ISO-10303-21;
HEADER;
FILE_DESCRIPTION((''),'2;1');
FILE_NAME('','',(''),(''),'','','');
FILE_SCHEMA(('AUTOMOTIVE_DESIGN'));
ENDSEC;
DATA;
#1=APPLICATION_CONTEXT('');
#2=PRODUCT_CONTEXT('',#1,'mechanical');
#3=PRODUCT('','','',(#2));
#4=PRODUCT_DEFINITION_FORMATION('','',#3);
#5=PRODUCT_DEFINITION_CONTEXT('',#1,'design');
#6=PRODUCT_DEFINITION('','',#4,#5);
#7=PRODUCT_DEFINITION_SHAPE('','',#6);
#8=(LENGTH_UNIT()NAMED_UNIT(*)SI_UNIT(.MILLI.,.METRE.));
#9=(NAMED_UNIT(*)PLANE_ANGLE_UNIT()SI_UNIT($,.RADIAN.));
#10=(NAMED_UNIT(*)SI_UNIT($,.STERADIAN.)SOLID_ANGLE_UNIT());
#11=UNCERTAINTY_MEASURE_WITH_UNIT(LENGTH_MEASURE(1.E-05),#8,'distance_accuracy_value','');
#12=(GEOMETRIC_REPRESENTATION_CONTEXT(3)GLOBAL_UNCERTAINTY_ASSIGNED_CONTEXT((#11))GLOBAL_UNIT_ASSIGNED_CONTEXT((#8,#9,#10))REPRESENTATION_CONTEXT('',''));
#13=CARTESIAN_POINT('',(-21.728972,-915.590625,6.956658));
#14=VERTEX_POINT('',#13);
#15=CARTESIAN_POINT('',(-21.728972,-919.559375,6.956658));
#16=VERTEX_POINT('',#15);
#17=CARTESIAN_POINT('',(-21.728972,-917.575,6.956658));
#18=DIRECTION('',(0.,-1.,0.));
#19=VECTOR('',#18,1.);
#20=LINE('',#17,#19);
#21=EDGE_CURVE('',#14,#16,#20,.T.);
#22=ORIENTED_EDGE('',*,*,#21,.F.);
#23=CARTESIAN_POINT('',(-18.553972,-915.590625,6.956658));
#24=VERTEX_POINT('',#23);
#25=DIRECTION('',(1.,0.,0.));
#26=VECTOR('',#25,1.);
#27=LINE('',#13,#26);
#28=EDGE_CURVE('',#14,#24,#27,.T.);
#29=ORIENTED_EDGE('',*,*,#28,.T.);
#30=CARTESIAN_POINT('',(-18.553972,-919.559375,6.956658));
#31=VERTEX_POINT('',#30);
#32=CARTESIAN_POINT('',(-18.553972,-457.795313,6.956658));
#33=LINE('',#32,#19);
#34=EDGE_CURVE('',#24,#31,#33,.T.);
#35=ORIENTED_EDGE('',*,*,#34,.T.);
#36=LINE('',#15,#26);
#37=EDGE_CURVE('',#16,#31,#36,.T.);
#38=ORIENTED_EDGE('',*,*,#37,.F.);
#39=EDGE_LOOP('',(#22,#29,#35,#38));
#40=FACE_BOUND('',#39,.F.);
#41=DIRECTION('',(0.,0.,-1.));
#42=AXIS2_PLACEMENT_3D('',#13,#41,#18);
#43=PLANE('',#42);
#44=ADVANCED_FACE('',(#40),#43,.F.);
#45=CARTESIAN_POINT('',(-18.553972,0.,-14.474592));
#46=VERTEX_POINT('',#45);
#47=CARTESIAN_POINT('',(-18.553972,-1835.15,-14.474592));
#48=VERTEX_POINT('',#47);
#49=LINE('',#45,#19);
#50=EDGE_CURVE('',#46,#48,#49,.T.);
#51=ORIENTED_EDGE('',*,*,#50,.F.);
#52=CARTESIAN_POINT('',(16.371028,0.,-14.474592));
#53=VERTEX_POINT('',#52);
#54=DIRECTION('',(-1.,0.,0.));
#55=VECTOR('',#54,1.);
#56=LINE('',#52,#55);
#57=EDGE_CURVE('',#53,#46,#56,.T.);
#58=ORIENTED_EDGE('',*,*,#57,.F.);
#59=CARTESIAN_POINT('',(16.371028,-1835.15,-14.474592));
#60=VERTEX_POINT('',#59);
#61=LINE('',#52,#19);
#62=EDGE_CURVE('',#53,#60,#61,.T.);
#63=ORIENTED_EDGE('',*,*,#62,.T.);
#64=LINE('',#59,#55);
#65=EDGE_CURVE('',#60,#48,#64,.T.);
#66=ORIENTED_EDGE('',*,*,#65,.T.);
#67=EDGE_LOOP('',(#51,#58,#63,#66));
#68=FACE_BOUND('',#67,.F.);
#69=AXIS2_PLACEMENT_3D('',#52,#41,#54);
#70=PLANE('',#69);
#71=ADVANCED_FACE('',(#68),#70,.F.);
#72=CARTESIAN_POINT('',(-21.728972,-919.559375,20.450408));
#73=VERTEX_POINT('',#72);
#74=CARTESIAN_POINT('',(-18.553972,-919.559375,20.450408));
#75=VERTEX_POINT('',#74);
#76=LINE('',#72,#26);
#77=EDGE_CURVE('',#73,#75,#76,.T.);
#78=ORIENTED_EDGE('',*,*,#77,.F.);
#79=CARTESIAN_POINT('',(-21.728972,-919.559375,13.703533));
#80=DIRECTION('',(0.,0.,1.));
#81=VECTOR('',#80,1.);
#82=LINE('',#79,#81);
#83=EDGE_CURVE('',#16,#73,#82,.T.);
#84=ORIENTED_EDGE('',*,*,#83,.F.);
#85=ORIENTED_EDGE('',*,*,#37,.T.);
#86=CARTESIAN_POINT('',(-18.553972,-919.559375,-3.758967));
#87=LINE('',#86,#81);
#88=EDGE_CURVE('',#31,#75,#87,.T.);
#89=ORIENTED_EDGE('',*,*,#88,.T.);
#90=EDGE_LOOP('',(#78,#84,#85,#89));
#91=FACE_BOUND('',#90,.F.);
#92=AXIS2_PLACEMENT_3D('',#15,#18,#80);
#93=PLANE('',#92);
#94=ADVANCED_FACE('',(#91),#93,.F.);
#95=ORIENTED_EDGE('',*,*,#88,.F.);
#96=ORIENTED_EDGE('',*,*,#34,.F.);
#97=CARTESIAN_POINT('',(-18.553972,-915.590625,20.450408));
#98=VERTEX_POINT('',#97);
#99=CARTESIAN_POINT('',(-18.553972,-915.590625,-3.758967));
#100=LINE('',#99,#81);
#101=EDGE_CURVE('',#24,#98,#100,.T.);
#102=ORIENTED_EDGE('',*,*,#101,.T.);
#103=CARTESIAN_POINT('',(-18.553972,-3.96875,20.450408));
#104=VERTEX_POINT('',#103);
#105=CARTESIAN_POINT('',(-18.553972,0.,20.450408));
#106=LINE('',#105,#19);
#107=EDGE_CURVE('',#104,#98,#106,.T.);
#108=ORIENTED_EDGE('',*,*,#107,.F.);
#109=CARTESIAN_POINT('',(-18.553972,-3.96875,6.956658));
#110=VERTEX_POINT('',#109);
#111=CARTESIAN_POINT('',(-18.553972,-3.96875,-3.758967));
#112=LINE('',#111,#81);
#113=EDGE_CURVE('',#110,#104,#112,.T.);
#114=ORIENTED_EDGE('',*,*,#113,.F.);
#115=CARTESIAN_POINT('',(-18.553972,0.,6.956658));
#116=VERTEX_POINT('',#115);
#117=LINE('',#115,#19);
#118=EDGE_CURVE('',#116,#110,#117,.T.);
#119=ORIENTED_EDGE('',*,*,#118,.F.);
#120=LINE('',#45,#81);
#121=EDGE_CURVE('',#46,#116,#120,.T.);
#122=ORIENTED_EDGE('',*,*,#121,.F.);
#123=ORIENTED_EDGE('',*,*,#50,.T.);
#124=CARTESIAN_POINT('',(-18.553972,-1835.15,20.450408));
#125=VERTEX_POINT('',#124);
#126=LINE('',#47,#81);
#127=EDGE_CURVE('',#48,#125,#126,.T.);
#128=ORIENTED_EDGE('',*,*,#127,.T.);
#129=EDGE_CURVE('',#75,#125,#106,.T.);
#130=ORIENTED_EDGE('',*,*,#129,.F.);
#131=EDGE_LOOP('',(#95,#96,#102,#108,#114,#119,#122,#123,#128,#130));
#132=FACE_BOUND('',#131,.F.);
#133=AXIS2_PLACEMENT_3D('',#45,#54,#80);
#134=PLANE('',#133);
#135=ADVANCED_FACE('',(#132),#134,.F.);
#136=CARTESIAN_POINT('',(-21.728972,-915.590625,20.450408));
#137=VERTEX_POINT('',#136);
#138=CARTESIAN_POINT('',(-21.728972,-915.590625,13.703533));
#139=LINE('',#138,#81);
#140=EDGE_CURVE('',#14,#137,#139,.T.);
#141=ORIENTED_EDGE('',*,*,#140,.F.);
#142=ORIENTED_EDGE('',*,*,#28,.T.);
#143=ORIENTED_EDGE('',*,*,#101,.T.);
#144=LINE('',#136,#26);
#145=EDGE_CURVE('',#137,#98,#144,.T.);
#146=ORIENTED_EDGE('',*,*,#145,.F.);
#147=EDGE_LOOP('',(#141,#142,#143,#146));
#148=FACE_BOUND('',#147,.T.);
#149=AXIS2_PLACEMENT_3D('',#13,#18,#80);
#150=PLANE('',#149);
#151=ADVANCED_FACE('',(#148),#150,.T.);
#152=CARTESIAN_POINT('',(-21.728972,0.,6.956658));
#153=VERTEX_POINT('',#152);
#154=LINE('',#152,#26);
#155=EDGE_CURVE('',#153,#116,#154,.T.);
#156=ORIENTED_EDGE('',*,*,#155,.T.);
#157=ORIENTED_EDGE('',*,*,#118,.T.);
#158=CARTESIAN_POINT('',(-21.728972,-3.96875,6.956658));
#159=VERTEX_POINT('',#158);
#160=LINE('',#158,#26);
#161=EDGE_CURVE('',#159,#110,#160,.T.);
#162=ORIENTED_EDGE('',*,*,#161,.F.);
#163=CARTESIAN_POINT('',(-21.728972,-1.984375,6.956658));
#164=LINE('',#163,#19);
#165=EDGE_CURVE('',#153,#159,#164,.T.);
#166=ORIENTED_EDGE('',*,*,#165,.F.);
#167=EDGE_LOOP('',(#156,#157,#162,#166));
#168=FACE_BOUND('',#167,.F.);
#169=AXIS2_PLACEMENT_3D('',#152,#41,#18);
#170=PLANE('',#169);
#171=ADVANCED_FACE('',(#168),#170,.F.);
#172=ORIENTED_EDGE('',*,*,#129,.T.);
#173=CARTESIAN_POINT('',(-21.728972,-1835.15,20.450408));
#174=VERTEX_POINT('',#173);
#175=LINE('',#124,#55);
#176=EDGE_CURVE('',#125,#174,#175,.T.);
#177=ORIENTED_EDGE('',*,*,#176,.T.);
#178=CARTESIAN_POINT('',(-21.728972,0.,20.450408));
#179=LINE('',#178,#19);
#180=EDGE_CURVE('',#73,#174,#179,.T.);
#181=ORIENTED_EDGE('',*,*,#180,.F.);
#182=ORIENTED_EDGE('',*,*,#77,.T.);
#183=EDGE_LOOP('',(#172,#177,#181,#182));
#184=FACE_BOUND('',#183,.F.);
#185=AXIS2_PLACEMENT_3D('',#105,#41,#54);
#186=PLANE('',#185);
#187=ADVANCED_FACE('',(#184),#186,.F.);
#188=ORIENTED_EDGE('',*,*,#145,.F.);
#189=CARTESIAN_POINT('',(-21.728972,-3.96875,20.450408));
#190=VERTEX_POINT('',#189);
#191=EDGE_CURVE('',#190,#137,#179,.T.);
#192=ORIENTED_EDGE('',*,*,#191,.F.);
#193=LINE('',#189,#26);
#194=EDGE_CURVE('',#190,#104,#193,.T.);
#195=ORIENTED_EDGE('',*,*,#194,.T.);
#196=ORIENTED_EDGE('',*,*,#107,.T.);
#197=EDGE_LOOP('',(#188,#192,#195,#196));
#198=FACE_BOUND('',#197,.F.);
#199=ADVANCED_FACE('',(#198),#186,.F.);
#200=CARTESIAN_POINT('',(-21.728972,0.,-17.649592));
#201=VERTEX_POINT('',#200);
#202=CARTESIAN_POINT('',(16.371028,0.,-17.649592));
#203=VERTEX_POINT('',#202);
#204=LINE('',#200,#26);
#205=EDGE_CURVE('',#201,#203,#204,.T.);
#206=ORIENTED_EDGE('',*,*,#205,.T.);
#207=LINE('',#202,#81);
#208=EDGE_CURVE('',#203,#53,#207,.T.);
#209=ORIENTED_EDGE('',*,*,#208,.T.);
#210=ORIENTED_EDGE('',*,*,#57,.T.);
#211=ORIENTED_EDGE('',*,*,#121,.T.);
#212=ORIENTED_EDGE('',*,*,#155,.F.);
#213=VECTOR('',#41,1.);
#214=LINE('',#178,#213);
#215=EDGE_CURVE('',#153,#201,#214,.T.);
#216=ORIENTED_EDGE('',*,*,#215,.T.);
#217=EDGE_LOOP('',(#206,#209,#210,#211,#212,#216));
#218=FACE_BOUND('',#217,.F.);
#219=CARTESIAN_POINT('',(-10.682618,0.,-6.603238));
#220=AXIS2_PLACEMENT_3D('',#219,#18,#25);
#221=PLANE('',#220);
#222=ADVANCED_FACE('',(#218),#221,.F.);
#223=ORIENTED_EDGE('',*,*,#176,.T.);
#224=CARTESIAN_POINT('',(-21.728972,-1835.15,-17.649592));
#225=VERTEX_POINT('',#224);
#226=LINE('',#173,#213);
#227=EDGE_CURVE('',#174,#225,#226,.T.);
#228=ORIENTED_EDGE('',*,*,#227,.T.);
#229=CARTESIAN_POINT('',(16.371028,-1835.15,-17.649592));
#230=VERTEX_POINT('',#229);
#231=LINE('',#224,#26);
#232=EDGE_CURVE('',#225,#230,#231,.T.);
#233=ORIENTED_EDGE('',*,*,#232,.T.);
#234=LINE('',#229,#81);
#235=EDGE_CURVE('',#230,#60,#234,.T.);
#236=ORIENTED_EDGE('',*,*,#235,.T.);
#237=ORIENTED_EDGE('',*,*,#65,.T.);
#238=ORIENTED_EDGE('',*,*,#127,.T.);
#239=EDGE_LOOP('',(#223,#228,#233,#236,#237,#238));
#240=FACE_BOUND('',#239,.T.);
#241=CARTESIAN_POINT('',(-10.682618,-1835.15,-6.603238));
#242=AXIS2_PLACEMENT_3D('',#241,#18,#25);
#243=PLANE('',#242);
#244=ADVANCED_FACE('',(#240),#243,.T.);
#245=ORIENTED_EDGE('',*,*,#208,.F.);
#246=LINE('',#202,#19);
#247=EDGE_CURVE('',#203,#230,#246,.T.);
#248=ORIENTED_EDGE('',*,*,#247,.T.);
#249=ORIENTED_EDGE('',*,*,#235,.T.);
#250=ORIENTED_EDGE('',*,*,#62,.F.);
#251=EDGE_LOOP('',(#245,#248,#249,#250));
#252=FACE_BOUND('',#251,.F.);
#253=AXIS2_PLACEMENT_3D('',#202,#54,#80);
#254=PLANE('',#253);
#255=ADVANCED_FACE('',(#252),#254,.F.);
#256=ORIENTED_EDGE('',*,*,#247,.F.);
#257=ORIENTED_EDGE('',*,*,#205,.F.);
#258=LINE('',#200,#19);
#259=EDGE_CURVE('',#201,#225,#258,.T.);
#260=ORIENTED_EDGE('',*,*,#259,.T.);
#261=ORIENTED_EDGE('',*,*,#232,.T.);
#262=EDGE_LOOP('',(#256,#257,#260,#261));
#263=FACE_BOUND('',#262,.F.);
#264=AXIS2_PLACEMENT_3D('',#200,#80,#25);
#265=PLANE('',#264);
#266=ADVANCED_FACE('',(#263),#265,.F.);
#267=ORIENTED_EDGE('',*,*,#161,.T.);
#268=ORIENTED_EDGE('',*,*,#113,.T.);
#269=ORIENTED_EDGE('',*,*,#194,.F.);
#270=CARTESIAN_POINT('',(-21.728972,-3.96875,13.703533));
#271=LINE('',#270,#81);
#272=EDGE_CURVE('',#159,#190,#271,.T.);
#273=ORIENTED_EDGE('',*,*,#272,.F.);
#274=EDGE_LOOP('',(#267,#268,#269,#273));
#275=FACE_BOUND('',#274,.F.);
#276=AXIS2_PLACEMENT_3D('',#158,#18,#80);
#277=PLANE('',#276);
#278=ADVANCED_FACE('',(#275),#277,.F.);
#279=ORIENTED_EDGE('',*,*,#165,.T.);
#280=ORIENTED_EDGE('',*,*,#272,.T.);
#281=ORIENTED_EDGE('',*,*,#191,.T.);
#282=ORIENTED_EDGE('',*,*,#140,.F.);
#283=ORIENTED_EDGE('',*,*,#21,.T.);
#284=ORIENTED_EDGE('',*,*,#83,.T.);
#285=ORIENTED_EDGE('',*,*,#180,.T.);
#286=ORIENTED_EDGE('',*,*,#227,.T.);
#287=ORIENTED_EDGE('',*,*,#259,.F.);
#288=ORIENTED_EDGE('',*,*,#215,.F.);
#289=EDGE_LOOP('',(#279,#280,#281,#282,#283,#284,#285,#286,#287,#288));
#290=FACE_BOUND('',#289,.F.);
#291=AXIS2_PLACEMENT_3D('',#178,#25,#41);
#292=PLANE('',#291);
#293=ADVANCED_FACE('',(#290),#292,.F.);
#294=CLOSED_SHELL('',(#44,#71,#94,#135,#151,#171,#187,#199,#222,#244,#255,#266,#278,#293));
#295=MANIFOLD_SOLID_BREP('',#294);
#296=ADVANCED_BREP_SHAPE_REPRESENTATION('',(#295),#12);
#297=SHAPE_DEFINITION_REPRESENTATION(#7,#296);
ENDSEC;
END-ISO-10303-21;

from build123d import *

# Parameters (mm, degrees)
F1_DEPTH = 1835.15
F2_W     = 3.96875
F2_H     = 13.49375
F3_DEPTH = 25.4


with BuildPart() as f1:
    # F0 (on Front) → F1 (new body)
    with BuildSketch(Plane.XZ):
        Polygon((-18.553972, 20.450408), (-21.728972, 20.450408), (-21.728972, -17.649592), (16.371028, -17.649592), (16.371028, -14.474592), (-18.553972, -14.474592), align=None)
    extrude(amount=F1_DEPTH)

    # F2 (on face) → F3 (cut)
    with BuildSketch(Plane(origin=(-21.728972, 0, 0), x_dir=(0, -1, 0), z_dir=(-1, 0, 0))):
        with Locations((917.575, 13.703533)):
            Rectangle(F2_W, F2_H)
        with Locations((1.984375, 13.703533)):
            Rectangle(F2_W, F2_H)
    extrude(amount=-F3_DEPTH, mode=Mode.SUBTRACT)


solid = f1.part
